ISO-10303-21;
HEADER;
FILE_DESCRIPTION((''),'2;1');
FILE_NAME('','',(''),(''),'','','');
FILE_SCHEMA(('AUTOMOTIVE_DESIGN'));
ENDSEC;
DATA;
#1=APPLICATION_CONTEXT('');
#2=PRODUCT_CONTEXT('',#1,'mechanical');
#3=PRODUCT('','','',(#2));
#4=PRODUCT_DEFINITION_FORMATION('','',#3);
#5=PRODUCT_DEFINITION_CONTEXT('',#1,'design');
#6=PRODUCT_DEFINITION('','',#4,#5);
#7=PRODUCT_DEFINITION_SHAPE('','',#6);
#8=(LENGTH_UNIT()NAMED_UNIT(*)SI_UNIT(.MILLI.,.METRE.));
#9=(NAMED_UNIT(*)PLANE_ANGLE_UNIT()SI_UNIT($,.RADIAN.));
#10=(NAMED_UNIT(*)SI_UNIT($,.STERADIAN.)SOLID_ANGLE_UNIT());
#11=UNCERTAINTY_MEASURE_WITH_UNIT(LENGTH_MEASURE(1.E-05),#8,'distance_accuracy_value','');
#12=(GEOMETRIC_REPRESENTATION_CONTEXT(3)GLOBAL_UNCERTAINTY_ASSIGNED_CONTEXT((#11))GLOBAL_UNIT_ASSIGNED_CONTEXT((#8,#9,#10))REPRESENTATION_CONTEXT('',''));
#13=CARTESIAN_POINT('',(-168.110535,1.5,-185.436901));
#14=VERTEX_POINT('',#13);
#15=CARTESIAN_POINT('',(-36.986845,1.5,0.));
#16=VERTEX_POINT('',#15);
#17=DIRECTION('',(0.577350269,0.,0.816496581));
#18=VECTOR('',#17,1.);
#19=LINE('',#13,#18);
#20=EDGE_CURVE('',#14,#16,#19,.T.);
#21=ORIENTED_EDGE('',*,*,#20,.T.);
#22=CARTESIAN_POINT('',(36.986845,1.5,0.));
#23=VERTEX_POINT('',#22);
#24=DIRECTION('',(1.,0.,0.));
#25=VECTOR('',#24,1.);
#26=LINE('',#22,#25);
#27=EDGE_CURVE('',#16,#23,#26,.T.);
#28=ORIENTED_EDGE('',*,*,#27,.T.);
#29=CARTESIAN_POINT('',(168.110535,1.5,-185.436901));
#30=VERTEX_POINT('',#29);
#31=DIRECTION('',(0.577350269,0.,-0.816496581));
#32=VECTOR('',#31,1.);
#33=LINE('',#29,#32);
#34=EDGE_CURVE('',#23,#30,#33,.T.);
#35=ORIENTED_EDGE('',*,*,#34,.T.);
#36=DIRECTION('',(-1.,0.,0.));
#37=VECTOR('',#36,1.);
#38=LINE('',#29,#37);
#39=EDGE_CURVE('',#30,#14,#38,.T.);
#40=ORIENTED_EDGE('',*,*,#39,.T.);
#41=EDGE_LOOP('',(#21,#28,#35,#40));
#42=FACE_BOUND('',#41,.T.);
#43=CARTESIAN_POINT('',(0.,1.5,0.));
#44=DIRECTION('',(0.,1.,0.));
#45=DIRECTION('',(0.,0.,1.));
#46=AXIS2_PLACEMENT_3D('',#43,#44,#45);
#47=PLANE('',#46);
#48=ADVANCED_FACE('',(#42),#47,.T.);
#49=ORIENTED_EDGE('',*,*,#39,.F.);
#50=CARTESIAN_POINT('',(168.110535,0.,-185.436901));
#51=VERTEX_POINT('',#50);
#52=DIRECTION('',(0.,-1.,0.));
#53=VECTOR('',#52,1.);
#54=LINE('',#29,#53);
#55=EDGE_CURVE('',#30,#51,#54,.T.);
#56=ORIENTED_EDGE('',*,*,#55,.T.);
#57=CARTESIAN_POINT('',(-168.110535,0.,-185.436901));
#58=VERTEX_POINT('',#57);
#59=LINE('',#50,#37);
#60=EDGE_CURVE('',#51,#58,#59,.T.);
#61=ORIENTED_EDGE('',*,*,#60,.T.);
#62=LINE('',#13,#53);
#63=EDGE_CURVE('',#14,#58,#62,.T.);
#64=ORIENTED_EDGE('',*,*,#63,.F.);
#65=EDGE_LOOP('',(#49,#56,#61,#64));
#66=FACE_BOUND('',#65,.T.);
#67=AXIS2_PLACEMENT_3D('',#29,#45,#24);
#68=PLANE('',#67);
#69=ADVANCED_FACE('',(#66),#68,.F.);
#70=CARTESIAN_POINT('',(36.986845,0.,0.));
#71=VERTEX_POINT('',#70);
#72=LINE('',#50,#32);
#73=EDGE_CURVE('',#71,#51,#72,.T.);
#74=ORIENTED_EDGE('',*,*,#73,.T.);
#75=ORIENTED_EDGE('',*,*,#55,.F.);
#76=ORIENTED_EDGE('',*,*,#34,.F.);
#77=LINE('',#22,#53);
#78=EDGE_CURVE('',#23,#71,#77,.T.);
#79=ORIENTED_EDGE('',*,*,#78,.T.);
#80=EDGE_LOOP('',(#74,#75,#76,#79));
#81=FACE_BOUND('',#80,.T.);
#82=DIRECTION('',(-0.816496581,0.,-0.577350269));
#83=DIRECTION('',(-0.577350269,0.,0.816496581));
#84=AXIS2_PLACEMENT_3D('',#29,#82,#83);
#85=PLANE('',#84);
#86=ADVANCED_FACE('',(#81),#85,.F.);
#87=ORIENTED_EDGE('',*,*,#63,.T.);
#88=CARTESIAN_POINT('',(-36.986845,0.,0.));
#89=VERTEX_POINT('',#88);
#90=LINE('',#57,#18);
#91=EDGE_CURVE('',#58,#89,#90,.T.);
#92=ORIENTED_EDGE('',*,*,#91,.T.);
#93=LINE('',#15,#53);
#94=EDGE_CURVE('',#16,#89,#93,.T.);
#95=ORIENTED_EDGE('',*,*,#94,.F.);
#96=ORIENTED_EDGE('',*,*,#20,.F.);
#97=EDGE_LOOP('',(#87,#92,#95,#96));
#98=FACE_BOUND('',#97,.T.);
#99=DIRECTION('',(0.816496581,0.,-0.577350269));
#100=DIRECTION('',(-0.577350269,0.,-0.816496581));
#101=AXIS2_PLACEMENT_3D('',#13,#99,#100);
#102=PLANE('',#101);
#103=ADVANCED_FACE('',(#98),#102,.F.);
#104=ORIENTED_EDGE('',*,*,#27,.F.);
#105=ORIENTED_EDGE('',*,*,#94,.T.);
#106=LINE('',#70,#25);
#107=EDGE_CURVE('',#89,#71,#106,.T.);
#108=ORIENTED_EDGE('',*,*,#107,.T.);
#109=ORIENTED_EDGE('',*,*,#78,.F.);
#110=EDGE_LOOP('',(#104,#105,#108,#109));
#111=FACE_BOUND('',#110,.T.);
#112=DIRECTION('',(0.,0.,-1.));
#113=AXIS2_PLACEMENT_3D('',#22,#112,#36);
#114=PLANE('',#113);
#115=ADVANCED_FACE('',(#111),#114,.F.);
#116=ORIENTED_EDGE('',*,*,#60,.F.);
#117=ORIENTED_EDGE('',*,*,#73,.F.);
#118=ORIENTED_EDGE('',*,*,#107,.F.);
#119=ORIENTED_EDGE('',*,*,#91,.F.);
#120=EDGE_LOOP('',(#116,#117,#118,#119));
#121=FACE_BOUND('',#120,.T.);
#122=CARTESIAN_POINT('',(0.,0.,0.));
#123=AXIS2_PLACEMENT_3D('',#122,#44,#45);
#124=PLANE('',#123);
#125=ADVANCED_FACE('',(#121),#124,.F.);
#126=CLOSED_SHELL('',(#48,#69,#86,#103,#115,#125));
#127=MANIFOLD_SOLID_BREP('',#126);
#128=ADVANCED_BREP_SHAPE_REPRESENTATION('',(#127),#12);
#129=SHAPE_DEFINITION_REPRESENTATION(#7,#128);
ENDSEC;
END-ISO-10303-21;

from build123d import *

# Parameters (mm, degrees)
BOSS_EXTRUDE1_DEPTH = 1.5


with BuildPart() as part:
    # Sketch1 → Boss-Extrude1 (new body)
    with BuildSketch(Plane(origin=(0, 0, 0), x_dir=(1, 0, 0), z_dir=(0, 1, 0))):
        Polygon((-168.110535, 185.436900746), (-36.986845, 0), (36.986845, 0), (168.110535, 185.436900746), align=None)
    extrude(amount=BOSS_EXTRUDE1_DEPTH)


solid = part.part
